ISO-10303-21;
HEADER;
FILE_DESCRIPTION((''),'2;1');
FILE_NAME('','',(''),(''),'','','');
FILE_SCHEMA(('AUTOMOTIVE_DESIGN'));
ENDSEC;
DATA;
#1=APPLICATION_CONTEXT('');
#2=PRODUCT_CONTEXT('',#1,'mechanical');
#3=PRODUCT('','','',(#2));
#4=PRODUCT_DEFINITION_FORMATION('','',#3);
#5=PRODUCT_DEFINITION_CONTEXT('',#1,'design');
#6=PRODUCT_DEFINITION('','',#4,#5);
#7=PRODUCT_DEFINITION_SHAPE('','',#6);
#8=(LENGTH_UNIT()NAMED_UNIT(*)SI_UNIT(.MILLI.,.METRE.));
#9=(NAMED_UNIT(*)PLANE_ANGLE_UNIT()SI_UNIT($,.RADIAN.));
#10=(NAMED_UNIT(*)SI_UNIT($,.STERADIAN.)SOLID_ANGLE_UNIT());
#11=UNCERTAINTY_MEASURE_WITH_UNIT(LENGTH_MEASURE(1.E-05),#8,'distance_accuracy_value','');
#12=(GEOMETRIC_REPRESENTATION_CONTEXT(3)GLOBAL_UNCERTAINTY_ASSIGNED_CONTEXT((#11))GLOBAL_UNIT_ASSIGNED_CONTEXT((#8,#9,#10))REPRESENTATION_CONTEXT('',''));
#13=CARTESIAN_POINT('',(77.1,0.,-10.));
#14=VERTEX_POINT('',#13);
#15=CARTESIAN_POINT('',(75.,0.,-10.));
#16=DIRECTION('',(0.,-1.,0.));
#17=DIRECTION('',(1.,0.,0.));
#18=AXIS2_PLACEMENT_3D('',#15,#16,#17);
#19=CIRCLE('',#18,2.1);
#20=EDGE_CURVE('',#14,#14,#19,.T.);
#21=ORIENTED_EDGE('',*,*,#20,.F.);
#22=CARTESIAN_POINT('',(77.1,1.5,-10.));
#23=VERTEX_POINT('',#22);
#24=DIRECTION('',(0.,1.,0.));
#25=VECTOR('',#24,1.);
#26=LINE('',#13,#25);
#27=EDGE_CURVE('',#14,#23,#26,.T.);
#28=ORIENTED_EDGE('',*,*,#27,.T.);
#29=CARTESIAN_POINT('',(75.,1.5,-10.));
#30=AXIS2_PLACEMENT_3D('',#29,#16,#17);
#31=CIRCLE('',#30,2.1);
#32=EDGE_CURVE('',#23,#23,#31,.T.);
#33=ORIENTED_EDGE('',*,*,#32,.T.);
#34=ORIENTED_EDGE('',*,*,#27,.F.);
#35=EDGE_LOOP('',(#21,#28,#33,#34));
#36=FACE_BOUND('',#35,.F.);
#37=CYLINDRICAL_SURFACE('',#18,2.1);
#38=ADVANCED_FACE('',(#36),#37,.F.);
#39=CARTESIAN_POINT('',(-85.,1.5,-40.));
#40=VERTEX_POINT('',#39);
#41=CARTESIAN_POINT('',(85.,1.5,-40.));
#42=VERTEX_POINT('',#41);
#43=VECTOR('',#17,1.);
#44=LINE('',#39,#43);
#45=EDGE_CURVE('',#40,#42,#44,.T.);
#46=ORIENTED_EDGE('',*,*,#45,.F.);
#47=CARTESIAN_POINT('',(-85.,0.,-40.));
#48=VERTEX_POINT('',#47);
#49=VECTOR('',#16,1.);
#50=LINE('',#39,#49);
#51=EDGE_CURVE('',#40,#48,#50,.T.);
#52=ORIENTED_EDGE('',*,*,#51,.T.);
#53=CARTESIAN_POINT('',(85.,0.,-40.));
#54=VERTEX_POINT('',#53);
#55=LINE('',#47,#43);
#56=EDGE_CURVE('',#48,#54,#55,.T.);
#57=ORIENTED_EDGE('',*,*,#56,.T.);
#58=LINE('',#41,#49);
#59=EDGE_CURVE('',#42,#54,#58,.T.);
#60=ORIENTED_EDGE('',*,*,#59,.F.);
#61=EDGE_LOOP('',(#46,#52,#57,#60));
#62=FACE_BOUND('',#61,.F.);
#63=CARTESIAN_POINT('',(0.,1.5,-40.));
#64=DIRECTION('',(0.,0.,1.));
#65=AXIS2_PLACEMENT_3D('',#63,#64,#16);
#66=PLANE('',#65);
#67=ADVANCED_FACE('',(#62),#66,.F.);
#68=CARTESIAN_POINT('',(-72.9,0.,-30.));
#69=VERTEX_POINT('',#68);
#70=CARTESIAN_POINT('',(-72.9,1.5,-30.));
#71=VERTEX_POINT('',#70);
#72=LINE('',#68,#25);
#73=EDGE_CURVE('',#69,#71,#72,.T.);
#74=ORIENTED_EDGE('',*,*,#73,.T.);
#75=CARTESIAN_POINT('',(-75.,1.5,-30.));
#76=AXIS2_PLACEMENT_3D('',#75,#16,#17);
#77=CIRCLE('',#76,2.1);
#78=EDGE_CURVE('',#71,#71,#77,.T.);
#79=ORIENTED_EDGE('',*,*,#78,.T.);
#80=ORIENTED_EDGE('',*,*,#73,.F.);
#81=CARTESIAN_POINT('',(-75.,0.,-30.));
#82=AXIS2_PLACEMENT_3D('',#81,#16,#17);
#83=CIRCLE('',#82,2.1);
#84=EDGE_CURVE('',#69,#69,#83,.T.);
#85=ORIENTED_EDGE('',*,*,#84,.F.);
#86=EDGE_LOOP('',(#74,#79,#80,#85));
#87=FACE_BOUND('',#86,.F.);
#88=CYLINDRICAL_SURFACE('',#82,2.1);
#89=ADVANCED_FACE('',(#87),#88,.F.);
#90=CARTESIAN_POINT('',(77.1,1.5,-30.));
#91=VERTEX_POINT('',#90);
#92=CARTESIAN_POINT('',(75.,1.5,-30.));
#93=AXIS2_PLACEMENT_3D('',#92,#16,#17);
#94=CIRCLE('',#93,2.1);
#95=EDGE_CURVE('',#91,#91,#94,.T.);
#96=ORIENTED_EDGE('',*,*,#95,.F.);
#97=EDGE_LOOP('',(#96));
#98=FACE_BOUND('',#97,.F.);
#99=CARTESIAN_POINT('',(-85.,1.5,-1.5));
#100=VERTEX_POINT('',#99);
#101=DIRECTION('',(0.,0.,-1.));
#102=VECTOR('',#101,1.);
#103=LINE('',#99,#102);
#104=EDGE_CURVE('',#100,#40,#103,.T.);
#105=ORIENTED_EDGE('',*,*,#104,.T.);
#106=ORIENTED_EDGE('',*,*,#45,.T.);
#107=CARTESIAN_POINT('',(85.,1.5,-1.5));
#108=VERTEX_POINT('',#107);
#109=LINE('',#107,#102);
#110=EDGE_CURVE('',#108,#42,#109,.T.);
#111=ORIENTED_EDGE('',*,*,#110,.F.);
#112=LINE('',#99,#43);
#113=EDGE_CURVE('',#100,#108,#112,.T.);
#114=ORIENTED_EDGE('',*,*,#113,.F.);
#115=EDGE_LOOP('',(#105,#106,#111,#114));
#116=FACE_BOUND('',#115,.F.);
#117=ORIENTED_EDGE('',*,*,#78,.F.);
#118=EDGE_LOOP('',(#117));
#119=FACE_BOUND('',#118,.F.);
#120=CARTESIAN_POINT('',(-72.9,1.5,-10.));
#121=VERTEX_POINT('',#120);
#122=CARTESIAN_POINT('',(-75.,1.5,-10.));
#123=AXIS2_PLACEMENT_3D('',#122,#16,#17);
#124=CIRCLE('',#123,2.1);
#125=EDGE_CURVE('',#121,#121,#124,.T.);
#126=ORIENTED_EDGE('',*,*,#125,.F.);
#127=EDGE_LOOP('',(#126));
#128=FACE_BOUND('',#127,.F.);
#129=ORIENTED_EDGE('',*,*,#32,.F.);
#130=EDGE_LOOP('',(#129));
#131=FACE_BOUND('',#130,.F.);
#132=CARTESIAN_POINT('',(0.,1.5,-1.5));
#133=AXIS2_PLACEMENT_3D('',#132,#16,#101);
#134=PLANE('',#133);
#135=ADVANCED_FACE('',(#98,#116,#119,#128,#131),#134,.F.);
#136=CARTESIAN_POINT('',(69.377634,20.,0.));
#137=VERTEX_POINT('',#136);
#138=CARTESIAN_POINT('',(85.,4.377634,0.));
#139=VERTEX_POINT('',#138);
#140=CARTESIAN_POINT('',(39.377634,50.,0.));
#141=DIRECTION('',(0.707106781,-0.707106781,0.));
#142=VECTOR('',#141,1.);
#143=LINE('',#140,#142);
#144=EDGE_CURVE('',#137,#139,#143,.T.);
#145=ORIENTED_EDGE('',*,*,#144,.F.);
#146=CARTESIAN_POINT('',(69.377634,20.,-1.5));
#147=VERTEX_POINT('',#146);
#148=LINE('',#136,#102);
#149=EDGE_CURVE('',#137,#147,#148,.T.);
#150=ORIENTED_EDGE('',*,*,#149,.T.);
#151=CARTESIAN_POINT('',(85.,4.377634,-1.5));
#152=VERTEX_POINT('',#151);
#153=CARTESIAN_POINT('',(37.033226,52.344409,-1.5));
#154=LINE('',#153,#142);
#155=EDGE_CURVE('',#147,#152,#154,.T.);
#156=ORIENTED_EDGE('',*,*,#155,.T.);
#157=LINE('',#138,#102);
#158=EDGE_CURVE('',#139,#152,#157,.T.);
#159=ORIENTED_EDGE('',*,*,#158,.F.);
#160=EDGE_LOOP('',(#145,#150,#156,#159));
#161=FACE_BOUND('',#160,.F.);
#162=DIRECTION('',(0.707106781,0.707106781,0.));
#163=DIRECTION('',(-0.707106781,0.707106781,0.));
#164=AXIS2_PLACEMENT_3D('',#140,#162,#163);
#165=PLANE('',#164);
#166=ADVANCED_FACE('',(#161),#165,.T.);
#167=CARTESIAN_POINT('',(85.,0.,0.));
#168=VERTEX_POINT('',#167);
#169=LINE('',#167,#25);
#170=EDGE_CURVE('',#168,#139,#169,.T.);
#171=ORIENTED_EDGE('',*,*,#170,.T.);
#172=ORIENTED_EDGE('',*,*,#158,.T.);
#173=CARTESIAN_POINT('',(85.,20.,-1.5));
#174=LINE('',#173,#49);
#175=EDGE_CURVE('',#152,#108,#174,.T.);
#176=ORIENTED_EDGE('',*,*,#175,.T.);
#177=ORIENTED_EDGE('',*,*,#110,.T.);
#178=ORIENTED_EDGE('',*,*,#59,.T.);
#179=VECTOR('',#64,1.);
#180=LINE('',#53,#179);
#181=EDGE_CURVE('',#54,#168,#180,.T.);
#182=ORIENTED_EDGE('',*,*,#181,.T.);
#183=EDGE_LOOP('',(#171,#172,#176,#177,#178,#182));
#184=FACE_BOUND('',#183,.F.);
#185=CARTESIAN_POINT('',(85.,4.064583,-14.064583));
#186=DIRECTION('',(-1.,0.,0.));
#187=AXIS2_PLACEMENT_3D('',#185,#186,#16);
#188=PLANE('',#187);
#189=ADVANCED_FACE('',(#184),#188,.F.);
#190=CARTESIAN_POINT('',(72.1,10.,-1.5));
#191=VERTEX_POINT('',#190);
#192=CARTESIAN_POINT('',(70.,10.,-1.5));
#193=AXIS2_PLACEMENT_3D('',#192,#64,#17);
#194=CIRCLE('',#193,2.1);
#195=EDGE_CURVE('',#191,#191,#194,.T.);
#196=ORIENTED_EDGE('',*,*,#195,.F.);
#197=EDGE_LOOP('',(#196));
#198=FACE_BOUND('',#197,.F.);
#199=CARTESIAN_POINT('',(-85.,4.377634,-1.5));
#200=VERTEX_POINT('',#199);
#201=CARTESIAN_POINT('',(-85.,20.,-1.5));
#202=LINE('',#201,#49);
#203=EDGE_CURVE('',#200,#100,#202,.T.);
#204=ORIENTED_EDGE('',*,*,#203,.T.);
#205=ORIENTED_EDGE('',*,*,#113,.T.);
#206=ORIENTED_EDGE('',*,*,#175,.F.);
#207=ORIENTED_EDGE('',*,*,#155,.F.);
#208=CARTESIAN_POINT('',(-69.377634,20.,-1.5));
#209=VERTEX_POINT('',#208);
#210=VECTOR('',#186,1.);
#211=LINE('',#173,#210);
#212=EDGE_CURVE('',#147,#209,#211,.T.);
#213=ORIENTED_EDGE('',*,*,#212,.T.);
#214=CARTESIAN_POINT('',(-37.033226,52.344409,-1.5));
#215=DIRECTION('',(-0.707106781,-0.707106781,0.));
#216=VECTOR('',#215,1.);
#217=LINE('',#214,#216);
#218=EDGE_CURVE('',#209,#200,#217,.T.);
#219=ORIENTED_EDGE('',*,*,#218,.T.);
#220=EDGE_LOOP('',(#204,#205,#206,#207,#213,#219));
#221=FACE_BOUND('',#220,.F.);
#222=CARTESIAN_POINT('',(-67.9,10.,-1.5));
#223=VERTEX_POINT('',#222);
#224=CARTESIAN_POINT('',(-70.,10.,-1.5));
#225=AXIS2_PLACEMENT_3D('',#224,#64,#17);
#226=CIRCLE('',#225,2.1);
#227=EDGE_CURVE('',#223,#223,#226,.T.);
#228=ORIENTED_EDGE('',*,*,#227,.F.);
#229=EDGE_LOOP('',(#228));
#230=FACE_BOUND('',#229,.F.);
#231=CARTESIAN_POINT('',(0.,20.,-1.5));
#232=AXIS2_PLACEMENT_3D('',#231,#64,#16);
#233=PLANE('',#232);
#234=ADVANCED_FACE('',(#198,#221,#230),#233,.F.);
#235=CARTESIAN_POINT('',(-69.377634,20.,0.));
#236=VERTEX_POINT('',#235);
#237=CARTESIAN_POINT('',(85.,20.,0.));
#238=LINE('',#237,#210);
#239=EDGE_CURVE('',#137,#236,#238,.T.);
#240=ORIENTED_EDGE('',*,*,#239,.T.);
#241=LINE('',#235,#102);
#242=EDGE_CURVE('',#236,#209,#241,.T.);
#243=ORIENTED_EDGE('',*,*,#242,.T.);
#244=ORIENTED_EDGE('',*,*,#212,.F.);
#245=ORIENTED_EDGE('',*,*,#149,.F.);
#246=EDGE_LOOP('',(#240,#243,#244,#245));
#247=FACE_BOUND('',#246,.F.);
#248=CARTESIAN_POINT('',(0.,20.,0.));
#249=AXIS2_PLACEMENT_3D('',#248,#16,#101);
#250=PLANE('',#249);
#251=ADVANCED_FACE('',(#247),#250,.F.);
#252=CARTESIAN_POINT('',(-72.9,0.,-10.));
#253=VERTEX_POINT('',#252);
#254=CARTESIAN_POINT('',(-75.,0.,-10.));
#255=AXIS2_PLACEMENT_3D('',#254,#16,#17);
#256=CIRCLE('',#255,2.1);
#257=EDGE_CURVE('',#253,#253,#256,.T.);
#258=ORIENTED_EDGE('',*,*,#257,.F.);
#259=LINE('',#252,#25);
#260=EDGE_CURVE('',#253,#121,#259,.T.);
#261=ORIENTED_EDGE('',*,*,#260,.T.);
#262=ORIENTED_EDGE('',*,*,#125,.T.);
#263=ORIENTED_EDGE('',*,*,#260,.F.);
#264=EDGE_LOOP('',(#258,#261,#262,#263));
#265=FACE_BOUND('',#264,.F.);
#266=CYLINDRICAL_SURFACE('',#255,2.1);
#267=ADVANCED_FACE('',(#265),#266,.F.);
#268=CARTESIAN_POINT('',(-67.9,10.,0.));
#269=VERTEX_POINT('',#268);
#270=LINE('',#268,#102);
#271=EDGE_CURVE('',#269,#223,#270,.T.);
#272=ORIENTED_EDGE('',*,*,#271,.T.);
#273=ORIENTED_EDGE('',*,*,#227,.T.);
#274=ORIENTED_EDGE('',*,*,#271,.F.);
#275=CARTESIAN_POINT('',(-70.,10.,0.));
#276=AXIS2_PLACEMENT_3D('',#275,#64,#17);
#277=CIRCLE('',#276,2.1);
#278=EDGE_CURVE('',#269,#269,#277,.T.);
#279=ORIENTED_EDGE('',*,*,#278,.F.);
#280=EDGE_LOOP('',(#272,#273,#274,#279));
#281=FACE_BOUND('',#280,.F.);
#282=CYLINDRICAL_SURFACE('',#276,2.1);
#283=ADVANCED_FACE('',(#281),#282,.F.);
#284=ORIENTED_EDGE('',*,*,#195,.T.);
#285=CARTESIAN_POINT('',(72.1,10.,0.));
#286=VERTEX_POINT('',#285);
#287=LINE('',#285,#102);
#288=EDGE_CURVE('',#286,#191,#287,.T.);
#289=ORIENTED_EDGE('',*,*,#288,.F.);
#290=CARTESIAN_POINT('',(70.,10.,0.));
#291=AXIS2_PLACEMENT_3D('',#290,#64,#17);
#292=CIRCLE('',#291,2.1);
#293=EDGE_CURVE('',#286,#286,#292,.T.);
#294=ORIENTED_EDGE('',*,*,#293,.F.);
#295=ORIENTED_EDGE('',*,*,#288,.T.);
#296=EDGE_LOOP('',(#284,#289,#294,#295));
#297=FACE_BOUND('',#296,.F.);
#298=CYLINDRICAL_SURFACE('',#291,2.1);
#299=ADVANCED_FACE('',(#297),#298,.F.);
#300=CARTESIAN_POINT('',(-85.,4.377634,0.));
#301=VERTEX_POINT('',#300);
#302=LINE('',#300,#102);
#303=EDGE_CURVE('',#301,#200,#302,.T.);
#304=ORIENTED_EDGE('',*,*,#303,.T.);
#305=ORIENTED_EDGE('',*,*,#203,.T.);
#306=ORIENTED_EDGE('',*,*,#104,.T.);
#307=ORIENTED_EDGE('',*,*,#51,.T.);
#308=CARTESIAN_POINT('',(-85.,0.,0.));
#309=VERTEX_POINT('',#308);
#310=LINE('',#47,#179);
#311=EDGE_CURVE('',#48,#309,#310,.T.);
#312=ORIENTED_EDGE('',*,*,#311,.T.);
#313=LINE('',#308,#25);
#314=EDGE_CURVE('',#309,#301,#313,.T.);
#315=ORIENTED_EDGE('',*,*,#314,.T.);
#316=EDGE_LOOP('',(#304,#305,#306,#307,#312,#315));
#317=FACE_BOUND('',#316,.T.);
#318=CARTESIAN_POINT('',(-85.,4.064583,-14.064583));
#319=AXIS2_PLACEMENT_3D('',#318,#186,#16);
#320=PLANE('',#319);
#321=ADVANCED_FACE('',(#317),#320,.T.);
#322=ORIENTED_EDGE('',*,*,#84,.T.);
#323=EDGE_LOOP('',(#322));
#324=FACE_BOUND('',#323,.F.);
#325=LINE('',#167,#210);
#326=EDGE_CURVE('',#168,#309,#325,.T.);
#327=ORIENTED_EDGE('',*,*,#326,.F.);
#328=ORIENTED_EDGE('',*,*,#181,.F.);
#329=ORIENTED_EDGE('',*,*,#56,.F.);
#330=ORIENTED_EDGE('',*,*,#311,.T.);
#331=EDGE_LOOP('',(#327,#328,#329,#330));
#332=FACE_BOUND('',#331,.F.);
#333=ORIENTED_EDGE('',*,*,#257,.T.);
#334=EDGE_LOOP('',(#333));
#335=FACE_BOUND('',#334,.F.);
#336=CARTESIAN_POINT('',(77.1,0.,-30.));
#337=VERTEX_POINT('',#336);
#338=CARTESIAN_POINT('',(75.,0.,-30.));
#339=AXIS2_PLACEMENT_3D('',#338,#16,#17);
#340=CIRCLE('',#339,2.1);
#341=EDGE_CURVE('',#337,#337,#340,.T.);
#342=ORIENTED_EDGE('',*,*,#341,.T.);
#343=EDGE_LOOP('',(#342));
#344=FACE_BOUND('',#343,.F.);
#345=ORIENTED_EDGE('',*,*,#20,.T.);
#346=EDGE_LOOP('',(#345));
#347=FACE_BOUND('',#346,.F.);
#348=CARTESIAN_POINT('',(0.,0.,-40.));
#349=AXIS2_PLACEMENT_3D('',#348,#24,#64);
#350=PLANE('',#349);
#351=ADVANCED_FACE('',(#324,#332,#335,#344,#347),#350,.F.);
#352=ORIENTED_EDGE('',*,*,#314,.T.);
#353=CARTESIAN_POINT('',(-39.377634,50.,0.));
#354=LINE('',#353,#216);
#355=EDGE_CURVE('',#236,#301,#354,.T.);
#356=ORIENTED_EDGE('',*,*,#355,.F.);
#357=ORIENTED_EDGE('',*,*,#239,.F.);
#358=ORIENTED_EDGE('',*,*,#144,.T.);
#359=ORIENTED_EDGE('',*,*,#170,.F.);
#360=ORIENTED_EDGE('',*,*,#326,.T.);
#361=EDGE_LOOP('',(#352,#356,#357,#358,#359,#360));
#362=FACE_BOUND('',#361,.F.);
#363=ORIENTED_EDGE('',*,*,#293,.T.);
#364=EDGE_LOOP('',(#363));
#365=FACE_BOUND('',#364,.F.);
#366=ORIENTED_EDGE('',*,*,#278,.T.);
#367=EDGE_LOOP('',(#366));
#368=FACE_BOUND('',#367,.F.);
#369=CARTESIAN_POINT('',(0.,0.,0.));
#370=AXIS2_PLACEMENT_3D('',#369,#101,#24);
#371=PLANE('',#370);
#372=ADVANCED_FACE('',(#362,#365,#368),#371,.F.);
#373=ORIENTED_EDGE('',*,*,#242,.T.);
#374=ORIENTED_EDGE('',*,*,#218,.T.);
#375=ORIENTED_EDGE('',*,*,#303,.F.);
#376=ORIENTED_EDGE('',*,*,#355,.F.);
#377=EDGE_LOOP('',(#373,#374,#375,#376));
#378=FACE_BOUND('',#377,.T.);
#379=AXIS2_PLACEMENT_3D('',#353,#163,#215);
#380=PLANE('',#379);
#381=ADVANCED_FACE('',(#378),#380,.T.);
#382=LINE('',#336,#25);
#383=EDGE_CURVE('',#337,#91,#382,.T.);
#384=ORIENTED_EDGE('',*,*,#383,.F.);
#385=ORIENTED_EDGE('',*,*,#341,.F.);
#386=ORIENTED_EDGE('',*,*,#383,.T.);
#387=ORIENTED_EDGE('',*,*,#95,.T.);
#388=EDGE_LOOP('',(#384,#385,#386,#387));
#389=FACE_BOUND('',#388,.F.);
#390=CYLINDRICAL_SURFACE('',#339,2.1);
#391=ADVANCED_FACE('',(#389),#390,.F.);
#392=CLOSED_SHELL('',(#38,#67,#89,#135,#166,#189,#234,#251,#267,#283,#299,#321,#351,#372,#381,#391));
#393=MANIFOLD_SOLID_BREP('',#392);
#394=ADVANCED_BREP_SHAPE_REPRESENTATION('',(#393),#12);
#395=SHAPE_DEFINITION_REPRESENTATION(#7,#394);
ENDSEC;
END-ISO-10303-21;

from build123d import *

# Parameters (mm, degrees)
PAD_DEPTH     = 85
SKETCH002_R   = 2.1
HOLE_DEPTH    = 20.001
SKETCH003_R   = 2.1
HOLE001_DEPTH = 40.001
POCKET_DEPTH  = 391.568917


with BuildPart() as part:
    # Sketch → Pad (new body, symmetric)
    with BuildSketch(Plane.YZ):
        Polygon((0, -40), (0, 0), (20, 0), (20, -1.5), (1.5, -1.5), (1.5, -40), align=None)
    extrude(amount=PAD_DEPTH, both=True)

    # Sketch002 → Hole (cut, through all)
    with BuildSketch(Plane.XZ):
        with Locations((-75, -30)):
            Circle(SKETCH002_R)
        with Locations((75, -30)):
            Circle(SKETCH002_R)
        with Locations((-75, -10)):
            Circle(SKETCH002_R)
        with Locations((75, -10)):
            Circle(SKETCH002_R)
    extrude(amount=-HOLE_DEPTH, mode=Mode.SUBTRACT)

    # Sketch003 → Hole001 (cut, through all)
    with BuildSketch(Plane.XY):
        with Locations((-70, 10)):
            Circle(SKETCH003_R)
        with Locations((70, 10)):
            Circle(SKETCH003_R)
    extrude(amount=-HOLE001_DEPTH, mode=Mode.SUBTRACT)

    # Sketch004 → Pocket (cut, through all)
    with BuildSketch(Plane.XY):
        Polygon((-85, 4.377634), (-85, 50), (-39.377634, 50), align=None)
    pocket = extrude(amount=-POCKET_DEPTH, mode=Mode.SUBTRACT)

    # Mirrored: Pocket across YZ
    add(pocket.mirror(Plane.YZ), mode=Mode.SUBTRACT)


solid = part.part
